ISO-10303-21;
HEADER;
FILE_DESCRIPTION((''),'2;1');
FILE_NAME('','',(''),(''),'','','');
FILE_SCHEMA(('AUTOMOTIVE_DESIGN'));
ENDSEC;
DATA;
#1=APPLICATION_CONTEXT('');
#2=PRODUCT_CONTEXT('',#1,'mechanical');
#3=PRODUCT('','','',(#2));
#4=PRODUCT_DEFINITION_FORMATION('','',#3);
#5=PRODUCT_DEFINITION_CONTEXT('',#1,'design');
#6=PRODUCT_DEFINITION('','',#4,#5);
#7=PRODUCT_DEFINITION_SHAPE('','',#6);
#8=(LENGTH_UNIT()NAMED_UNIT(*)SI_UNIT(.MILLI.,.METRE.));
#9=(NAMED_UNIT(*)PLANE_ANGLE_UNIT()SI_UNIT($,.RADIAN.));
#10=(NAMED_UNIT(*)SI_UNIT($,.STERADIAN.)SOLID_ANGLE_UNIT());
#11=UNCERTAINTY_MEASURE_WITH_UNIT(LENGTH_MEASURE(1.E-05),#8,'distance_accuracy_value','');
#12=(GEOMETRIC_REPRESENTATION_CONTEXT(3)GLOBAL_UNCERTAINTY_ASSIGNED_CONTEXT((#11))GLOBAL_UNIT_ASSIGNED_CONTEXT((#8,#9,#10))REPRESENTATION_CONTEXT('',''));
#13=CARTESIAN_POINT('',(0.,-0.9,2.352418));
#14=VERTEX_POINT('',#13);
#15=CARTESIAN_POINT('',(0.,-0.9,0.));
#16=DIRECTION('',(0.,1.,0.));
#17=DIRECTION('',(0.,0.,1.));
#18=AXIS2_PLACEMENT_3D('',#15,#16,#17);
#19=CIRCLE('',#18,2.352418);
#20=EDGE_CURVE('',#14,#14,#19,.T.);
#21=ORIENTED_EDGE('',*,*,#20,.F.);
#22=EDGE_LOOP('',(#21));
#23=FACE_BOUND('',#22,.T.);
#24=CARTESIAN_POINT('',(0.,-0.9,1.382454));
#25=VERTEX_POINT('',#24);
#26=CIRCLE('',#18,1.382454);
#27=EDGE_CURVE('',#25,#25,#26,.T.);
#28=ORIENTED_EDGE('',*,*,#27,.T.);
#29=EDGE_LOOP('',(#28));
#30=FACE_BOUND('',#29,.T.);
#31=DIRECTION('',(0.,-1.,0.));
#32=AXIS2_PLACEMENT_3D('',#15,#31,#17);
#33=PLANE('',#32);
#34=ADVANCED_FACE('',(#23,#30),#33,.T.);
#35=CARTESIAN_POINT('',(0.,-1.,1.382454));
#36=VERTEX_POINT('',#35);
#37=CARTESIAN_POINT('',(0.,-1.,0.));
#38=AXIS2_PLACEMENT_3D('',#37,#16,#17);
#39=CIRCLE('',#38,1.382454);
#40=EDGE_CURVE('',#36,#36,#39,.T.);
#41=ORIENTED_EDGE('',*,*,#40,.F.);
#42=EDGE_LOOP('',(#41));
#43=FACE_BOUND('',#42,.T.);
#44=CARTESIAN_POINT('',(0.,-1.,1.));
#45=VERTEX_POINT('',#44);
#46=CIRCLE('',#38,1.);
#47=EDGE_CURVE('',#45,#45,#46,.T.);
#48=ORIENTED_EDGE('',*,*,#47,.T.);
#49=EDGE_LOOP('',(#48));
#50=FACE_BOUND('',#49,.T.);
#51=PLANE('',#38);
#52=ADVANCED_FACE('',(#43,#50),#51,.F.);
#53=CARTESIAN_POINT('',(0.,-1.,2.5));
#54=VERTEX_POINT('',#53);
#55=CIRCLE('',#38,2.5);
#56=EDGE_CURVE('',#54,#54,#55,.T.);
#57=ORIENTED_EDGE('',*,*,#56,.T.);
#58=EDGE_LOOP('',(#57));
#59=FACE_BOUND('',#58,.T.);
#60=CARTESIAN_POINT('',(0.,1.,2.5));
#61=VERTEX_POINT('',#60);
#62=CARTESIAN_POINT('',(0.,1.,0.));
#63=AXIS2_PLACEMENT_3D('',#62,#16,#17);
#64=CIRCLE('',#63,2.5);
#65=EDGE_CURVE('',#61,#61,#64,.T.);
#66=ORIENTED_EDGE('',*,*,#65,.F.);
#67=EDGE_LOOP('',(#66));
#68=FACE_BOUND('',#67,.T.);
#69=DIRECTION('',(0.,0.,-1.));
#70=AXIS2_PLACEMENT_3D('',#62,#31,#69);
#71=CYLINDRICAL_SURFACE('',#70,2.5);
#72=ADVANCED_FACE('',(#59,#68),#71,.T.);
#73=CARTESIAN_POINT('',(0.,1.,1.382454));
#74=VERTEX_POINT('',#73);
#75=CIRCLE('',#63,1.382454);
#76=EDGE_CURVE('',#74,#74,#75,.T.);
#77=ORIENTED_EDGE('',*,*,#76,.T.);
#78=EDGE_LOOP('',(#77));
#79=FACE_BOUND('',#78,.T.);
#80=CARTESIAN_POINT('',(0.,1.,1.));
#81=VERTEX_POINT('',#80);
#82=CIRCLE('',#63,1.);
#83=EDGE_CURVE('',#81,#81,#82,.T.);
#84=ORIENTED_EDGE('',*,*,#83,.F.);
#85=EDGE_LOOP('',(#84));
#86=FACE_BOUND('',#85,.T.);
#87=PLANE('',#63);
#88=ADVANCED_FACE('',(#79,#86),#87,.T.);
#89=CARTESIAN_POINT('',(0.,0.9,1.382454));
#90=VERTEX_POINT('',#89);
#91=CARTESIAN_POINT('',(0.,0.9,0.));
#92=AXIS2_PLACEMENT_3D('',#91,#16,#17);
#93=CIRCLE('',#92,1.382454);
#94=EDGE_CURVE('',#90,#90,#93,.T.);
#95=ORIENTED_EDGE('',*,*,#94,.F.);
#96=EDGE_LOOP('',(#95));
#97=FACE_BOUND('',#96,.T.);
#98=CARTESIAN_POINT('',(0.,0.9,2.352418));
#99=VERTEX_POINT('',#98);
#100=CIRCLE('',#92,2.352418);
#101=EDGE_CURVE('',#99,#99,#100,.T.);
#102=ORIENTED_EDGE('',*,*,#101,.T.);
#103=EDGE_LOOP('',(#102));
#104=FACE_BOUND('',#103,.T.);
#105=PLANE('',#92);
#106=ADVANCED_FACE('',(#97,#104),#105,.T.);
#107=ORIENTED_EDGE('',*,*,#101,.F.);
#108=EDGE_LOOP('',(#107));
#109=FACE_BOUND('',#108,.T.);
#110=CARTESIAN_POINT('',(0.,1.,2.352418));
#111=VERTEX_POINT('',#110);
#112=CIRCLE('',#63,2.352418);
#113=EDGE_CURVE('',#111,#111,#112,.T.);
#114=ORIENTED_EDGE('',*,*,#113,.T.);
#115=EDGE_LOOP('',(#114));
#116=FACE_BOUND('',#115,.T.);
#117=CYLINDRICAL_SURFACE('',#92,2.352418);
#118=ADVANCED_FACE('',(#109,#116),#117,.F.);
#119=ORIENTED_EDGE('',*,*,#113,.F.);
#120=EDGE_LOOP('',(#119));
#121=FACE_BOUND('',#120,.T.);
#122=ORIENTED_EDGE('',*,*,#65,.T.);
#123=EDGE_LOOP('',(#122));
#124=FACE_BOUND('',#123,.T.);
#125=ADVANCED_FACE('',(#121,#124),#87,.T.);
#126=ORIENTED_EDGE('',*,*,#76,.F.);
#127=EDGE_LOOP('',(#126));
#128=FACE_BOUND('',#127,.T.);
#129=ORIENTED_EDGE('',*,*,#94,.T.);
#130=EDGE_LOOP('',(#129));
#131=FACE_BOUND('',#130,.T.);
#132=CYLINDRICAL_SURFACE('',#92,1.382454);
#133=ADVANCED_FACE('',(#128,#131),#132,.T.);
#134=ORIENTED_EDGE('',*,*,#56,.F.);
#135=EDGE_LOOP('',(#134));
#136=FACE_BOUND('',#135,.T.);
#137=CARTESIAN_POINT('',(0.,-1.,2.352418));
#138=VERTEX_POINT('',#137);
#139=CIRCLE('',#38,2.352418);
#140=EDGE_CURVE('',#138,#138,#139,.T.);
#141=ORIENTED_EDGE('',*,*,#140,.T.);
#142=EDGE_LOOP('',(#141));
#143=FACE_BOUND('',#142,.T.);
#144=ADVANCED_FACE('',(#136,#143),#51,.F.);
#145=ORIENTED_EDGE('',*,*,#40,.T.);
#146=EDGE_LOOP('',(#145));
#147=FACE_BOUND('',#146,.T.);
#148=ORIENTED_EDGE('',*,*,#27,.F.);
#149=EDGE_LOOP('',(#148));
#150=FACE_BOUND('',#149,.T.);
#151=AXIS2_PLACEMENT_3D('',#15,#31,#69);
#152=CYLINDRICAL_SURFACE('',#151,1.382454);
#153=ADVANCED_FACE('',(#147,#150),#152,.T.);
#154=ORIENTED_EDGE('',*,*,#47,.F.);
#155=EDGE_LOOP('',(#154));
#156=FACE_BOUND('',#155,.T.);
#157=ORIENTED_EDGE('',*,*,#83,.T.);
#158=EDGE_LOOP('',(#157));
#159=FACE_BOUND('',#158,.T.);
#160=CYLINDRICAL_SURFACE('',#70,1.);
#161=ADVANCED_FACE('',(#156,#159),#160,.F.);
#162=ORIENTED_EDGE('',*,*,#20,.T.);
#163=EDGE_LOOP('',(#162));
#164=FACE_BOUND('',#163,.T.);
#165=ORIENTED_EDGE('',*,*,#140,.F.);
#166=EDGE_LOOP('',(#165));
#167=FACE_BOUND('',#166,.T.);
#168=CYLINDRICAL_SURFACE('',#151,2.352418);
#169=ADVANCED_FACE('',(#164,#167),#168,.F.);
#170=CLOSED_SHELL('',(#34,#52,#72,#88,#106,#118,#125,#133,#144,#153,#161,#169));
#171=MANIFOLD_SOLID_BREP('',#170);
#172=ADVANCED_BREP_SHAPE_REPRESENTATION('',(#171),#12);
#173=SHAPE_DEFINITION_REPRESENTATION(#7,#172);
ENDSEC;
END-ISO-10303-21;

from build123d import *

# Parameters (mm, degrees)
SKETCH_1_R          = 2.5
SKETCH_1_R_2        = 1
EXTRUDE_1_DEPTH     = 1
SKETCH_2_R          = 2.352418258
SKETCH_2_R_2        = 1.382454344
CUT_EXTRUDE_1_DEPTH = 0.1


with BuildPart() as part:
    # 草图1 → 凸台-拉伸1 (new, symmetric)
    with BuildSketch(Plane(origin=(0, 0, 0), x_dir=(1, 0, 0), z_dir=(0, 1, 0))):
        with Locations(Location((0, 0, 0), (0, 0, 270))):
            Circle(SKETCH_1_R)
        with Locations(Location((0, 0, 0), (0, 0, 270))):
            Circle(SKETCH_1_R_2, mode=Mode.SUBTRACT)
    extrude(amount=EXTRUDE_1_DEPTH, both=True)

    # 草图2 → 切除-拉伸1 (cut)
    with BuildSketch(Plane(origin=(0, 1, 0), x_dir=(1, 0, 0), z_dir=(0, 1, 0))):
        with Locations(Location((0, 0, 0), (0, 0, 270))):
            Circle(SKETCH_2_R)
        with Locations(Location((0, 0, 0), (0, 0, 270))):
            Circle(SKETCH_2_R_2, mode=Mode.SUBTRACT)
    cut_extrude_1 = extrude(amount=-CUT_EXTRUDE_1_DEPTH, mode=Mode.SUBTRACT)

    # 镜向1: 切除-拉伸1 across plane
    add(cut_extrude_1.mirror(Plane.ZX), mode=Mode.SUBTRACT)


solid = part.part
